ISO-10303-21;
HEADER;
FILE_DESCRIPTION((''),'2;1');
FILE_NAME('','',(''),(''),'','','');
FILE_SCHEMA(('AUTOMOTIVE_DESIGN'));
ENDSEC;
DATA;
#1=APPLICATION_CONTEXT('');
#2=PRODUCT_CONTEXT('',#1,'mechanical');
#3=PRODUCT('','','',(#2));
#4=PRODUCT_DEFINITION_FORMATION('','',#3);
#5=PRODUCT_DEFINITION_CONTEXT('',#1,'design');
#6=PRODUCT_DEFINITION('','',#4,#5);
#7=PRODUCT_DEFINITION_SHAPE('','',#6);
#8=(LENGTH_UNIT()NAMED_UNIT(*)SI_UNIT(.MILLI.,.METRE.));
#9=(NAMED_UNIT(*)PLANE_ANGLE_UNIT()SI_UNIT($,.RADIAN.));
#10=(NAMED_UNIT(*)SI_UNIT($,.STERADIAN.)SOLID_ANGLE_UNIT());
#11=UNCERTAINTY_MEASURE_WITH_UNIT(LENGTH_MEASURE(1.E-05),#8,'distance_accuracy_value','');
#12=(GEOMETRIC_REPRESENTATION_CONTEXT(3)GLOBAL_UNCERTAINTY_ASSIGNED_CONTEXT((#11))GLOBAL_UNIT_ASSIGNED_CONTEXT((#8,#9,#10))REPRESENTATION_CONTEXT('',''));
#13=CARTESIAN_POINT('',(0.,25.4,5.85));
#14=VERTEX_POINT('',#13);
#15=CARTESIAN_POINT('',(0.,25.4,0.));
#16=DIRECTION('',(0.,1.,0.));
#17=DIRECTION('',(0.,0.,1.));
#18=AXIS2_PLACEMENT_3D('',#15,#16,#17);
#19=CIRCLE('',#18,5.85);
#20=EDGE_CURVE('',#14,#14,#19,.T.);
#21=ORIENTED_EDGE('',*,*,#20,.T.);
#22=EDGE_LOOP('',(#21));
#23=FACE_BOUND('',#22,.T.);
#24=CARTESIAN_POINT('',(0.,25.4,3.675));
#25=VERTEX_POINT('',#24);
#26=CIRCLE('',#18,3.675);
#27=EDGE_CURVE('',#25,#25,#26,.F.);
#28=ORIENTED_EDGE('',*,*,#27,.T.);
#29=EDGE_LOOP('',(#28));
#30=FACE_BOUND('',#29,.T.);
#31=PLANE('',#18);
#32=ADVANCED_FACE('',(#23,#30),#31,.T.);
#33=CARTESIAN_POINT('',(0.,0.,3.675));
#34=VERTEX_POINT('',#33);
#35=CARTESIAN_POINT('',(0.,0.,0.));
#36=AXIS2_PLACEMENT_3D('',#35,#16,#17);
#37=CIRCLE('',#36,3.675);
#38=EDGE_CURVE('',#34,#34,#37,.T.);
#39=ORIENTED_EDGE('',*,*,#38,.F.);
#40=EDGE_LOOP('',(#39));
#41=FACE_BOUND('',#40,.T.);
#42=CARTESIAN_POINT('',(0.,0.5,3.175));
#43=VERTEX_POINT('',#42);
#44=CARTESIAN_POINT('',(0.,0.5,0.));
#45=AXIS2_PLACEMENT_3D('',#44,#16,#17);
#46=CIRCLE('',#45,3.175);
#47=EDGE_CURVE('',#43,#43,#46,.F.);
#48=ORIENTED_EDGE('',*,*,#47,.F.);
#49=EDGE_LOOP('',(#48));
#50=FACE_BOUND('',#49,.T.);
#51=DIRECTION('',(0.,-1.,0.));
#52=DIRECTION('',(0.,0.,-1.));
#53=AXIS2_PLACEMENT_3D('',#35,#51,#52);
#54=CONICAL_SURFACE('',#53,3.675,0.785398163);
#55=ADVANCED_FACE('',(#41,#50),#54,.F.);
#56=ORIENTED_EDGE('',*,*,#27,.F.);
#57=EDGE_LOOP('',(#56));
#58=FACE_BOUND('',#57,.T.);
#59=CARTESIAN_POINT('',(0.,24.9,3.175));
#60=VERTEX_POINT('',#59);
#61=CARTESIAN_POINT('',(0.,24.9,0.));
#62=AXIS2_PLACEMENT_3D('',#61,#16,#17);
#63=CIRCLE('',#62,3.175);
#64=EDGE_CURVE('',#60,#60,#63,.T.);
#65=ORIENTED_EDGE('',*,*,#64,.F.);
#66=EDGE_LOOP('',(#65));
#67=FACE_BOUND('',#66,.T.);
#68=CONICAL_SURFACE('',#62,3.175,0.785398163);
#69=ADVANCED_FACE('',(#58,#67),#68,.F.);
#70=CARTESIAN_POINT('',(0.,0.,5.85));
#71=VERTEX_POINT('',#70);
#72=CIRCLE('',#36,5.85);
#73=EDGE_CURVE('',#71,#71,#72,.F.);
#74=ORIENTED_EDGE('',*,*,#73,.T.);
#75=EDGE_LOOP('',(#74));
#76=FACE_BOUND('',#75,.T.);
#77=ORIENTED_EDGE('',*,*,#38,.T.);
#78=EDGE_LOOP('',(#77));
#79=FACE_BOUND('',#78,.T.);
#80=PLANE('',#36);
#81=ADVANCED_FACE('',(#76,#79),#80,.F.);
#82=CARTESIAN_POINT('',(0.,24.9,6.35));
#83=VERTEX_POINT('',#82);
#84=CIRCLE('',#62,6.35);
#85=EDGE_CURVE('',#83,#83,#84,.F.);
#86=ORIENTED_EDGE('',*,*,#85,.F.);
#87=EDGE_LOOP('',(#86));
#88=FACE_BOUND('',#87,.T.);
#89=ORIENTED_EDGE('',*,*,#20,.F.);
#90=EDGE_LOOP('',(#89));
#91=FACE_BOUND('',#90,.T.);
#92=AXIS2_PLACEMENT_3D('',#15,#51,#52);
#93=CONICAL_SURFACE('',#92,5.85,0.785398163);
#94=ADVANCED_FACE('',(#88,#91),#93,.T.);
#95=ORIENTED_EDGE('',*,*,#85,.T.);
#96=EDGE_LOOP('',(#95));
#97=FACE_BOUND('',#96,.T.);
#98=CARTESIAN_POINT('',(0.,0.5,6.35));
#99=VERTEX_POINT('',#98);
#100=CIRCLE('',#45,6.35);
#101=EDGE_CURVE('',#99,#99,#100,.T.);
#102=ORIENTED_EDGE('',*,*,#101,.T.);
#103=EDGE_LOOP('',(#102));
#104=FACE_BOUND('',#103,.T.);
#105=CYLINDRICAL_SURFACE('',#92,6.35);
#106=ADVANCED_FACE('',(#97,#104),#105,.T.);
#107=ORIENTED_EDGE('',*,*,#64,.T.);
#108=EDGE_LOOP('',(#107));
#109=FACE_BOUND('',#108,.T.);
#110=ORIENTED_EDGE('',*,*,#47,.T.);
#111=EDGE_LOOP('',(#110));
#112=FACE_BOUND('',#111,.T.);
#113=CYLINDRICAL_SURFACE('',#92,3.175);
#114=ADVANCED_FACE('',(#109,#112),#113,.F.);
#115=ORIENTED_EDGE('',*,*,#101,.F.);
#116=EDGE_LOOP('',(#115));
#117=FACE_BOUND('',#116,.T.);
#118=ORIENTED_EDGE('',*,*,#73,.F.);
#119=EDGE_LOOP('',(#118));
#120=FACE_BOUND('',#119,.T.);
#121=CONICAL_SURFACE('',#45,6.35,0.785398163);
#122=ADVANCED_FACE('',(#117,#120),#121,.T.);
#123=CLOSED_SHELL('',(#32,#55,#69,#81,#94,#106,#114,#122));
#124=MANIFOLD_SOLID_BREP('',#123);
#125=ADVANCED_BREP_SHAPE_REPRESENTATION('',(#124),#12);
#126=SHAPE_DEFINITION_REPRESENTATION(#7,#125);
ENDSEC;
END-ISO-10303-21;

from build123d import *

# Parameters (mm, degrees)
SKETCH1_R           = 6.35
SKETCH1_R_2         = 3.175
BOSS_EXTRUDE1_DEPTH = 25.4
CHAMFER1_SIZE       = 0.5


with BuildPart() as part:
    # Sketch1 → Boss-Extrude1 (new body)
    with BuildSketch(Plane(origin=(0, 0, 0), x_dir=(1, 0, 0), z_dir=(0, 1, 0))):
        with Locations(Location((0, 0, 0), (0, 0, 270))):
            Circle(SKETCH1_R)
        with Locations(Location((0, 0, 0), (0, 0, 270))):
            Circle(SKETCH1_R_2, mode=Mode.SUBTRACT)
    extrude(amount=BOSS_EXTRUDE1_DEPTH)

    # Chamfer1
    chamfer1_edges = [part.edges().sort_by_distance(p)[0] for p in [
        (0, 0, -6.35),
        (0, 25.4, -6.35),
        (0, 0, -3.175),
        (0, 25.4, -3.175),
    ]]
    chamfer(chamfer1_edges, length=CHAMFER1_SIZE)


solid = part.part
